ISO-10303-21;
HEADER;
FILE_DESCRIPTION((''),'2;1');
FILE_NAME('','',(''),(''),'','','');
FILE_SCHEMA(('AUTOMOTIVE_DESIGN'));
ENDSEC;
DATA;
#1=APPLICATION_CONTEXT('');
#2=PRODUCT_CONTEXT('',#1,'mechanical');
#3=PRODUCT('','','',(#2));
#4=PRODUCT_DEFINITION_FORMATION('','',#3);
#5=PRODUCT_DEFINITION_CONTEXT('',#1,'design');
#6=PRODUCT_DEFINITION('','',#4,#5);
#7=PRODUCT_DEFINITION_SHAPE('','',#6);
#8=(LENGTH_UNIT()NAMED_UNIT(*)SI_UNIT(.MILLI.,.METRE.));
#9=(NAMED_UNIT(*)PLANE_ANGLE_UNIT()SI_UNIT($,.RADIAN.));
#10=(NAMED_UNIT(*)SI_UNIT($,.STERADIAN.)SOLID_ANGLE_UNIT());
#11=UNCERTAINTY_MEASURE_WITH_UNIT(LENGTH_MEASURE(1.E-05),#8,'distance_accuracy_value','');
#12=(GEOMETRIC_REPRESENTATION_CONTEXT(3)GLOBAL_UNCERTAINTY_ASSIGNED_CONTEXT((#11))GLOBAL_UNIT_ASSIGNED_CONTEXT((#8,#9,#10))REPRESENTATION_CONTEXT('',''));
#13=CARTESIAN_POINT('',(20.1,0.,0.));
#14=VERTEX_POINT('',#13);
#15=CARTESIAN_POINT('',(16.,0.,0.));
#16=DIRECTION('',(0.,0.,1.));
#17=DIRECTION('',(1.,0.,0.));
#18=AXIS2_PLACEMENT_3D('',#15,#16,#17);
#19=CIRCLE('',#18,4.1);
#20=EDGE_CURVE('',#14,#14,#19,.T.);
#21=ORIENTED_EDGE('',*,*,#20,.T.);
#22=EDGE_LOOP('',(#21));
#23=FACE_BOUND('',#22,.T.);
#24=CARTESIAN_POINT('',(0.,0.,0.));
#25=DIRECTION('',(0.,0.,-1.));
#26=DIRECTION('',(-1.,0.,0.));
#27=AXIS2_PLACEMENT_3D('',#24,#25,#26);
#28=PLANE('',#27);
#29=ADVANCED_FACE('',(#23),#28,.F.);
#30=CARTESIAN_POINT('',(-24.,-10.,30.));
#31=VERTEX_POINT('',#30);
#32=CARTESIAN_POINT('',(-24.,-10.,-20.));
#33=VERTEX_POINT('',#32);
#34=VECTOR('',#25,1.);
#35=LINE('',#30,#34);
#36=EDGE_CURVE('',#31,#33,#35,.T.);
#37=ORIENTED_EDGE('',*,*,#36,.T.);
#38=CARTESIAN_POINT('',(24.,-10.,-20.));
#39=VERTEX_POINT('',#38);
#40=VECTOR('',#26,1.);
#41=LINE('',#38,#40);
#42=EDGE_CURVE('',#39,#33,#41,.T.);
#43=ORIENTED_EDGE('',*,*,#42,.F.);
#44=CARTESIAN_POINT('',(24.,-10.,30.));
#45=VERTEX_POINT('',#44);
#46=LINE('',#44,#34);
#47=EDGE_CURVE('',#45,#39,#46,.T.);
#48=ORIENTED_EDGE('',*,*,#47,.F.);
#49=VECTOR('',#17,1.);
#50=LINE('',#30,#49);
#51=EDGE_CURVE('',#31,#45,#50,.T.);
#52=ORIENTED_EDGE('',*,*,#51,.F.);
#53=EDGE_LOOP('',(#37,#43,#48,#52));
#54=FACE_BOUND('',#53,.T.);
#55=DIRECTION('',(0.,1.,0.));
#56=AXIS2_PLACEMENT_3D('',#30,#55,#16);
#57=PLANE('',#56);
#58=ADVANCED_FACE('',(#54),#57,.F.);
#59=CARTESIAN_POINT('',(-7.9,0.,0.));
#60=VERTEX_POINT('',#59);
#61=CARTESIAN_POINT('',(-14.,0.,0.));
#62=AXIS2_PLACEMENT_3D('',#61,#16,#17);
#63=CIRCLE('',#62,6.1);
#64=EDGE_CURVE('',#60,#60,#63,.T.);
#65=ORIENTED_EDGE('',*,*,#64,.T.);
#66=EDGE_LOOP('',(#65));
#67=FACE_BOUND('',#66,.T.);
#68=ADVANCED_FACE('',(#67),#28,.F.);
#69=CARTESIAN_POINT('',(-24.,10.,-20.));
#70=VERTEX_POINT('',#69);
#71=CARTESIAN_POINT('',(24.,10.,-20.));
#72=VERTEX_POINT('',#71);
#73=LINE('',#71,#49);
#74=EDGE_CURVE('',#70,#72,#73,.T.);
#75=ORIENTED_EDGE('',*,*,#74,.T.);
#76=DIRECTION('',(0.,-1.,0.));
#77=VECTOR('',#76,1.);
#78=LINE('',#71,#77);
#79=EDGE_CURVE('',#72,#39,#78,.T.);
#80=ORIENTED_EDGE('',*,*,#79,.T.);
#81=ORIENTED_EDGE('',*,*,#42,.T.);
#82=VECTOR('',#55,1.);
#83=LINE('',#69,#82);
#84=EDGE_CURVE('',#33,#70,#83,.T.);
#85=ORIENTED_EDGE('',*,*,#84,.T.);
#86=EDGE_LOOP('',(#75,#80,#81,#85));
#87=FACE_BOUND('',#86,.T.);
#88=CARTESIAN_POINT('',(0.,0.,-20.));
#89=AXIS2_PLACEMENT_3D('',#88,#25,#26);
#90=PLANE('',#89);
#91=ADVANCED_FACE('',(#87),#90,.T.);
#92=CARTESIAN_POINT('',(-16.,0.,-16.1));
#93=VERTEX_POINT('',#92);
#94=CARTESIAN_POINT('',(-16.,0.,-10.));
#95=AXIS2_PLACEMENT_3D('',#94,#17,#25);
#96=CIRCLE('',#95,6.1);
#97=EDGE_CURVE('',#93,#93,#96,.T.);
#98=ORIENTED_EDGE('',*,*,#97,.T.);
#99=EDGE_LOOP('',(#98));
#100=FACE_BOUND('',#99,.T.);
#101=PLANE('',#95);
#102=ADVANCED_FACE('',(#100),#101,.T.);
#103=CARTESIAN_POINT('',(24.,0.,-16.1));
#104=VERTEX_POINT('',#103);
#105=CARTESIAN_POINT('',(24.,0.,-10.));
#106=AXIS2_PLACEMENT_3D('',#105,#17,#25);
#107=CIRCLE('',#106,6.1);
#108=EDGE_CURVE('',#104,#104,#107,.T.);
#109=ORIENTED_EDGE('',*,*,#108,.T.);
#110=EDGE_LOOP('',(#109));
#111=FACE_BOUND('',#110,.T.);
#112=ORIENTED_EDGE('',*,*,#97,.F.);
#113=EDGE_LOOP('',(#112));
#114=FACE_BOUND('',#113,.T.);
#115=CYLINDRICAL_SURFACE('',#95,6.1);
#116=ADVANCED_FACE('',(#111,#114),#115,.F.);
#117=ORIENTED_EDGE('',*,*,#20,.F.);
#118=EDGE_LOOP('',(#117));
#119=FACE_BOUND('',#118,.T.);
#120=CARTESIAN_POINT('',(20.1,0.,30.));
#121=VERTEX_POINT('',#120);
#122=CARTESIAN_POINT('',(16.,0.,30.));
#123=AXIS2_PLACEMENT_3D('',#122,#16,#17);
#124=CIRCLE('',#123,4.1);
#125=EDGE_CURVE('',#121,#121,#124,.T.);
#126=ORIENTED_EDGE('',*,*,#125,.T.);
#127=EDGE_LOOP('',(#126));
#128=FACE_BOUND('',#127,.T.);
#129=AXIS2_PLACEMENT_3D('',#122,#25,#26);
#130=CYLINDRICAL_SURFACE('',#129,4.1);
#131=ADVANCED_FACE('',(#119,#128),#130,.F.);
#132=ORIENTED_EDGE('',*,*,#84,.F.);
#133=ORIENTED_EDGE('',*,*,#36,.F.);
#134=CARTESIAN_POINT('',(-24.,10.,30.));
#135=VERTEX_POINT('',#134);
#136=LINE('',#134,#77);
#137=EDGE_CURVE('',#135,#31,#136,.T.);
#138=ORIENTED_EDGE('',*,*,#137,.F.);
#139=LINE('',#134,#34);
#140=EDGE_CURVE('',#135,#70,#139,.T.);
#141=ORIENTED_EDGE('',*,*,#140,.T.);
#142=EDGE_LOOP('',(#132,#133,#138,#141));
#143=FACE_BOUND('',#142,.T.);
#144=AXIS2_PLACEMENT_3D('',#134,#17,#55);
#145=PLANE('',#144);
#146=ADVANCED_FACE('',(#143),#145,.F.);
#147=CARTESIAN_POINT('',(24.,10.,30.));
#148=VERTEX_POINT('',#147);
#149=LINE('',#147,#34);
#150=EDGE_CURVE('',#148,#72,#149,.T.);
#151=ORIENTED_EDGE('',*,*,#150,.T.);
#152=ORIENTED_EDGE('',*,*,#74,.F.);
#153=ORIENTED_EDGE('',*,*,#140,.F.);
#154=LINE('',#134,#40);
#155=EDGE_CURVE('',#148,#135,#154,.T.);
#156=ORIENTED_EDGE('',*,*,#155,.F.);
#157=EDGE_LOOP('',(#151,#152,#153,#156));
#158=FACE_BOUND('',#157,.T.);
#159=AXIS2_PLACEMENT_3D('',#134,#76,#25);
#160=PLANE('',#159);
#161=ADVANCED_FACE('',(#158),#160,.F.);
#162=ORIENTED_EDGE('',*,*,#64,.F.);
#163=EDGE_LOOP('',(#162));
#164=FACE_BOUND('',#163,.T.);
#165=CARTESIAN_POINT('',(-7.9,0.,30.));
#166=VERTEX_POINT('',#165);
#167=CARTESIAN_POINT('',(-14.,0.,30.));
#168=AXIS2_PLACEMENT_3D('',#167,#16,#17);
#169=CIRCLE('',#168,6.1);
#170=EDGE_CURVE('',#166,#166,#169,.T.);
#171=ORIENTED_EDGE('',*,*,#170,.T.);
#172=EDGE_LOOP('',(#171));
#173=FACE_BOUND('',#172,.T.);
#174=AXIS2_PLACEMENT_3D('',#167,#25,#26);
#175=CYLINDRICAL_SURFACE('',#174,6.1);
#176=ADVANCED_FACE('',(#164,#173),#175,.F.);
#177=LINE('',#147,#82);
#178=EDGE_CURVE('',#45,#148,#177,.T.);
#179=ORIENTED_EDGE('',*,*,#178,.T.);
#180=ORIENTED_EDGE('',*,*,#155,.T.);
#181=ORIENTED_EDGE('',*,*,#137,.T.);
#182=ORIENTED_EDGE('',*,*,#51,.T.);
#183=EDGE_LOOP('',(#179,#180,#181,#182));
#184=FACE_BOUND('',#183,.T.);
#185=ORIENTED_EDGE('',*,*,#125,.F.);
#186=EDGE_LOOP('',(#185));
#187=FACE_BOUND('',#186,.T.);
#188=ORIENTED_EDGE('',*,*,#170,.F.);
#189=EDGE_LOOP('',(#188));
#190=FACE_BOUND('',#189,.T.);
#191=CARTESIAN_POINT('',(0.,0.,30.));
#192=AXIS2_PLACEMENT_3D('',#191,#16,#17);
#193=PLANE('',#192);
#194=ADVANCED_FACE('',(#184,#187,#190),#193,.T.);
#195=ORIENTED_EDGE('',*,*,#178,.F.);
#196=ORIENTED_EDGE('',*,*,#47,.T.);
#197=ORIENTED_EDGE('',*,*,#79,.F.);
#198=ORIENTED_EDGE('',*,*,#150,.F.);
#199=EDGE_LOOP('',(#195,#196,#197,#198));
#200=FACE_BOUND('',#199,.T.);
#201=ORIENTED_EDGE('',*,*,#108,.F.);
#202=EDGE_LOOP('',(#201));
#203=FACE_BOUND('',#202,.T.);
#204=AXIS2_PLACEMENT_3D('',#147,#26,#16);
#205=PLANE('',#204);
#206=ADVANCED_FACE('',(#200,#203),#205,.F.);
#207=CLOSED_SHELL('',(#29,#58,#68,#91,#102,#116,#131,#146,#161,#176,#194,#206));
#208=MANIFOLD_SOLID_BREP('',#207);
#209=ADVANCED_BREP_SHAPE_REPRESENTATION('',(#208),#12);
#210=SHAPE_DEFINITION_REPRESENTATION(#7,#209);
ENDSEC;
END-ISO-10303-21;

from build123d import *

# Parameters (mm, degrees)
SKETCH1_W           = 48
SKETCH1_H           = 20
SKETCH1_R           = 6.1
SKETCH1_R_2         = 4.1
BOSS_EXTRUDE1_DEPTH = 30
SKETCH2_W           = 48
SKETCH2_H           = 20
BOSS_EXTRUDE2_DEPTH = 20
SKETCH3_R           = 6.1
CUT_EXTRUDE1_DEPTH  = 40


with BuildPart() as part:
    # Sketch1 → Boss-Extrude1 (new body)
    with BuildSketch(Plane.XY):
        Rectangle(SKETCH1_W, SKETCH1_H)
        with Locations((-14, 0)):
            Circle(SKETCH1_R, mode=Mode.SUBTRACT)
        with Locations((16, 0)):
            Circle(SKETCH1_R_2, mode=Mode.SUBTRACT)
    extrude(amount=BOSS_EXTRUDE1_DEPTH)

    # Sketch2 → Boss-Extrude2 (add)
    with BuildSketch(Plane(origin=(0, 0, 0), x_dir=(-1, 0, 0), z_dir=(0, 0, -1))):
        Rectangle(SKETCH2_W, SKETCH2_H)
    extrude(amount=BOSS_EXTRUDE2_DEPTH)

    # Sketch3 → Cut-Extrude1 (cut)
    with BuildSketch(Plane(origin=(24, 0, 0), x_dir=(0, 0, -1), z_dir=(1, 0, 0))):
        with Locations((10, 0)):
            Circle(SKETCH3_R)
    extrude(amount=-CUT_EXTRUDE1_DEPTH, mode=Mode.SUBTRACT)


solid = part.part
